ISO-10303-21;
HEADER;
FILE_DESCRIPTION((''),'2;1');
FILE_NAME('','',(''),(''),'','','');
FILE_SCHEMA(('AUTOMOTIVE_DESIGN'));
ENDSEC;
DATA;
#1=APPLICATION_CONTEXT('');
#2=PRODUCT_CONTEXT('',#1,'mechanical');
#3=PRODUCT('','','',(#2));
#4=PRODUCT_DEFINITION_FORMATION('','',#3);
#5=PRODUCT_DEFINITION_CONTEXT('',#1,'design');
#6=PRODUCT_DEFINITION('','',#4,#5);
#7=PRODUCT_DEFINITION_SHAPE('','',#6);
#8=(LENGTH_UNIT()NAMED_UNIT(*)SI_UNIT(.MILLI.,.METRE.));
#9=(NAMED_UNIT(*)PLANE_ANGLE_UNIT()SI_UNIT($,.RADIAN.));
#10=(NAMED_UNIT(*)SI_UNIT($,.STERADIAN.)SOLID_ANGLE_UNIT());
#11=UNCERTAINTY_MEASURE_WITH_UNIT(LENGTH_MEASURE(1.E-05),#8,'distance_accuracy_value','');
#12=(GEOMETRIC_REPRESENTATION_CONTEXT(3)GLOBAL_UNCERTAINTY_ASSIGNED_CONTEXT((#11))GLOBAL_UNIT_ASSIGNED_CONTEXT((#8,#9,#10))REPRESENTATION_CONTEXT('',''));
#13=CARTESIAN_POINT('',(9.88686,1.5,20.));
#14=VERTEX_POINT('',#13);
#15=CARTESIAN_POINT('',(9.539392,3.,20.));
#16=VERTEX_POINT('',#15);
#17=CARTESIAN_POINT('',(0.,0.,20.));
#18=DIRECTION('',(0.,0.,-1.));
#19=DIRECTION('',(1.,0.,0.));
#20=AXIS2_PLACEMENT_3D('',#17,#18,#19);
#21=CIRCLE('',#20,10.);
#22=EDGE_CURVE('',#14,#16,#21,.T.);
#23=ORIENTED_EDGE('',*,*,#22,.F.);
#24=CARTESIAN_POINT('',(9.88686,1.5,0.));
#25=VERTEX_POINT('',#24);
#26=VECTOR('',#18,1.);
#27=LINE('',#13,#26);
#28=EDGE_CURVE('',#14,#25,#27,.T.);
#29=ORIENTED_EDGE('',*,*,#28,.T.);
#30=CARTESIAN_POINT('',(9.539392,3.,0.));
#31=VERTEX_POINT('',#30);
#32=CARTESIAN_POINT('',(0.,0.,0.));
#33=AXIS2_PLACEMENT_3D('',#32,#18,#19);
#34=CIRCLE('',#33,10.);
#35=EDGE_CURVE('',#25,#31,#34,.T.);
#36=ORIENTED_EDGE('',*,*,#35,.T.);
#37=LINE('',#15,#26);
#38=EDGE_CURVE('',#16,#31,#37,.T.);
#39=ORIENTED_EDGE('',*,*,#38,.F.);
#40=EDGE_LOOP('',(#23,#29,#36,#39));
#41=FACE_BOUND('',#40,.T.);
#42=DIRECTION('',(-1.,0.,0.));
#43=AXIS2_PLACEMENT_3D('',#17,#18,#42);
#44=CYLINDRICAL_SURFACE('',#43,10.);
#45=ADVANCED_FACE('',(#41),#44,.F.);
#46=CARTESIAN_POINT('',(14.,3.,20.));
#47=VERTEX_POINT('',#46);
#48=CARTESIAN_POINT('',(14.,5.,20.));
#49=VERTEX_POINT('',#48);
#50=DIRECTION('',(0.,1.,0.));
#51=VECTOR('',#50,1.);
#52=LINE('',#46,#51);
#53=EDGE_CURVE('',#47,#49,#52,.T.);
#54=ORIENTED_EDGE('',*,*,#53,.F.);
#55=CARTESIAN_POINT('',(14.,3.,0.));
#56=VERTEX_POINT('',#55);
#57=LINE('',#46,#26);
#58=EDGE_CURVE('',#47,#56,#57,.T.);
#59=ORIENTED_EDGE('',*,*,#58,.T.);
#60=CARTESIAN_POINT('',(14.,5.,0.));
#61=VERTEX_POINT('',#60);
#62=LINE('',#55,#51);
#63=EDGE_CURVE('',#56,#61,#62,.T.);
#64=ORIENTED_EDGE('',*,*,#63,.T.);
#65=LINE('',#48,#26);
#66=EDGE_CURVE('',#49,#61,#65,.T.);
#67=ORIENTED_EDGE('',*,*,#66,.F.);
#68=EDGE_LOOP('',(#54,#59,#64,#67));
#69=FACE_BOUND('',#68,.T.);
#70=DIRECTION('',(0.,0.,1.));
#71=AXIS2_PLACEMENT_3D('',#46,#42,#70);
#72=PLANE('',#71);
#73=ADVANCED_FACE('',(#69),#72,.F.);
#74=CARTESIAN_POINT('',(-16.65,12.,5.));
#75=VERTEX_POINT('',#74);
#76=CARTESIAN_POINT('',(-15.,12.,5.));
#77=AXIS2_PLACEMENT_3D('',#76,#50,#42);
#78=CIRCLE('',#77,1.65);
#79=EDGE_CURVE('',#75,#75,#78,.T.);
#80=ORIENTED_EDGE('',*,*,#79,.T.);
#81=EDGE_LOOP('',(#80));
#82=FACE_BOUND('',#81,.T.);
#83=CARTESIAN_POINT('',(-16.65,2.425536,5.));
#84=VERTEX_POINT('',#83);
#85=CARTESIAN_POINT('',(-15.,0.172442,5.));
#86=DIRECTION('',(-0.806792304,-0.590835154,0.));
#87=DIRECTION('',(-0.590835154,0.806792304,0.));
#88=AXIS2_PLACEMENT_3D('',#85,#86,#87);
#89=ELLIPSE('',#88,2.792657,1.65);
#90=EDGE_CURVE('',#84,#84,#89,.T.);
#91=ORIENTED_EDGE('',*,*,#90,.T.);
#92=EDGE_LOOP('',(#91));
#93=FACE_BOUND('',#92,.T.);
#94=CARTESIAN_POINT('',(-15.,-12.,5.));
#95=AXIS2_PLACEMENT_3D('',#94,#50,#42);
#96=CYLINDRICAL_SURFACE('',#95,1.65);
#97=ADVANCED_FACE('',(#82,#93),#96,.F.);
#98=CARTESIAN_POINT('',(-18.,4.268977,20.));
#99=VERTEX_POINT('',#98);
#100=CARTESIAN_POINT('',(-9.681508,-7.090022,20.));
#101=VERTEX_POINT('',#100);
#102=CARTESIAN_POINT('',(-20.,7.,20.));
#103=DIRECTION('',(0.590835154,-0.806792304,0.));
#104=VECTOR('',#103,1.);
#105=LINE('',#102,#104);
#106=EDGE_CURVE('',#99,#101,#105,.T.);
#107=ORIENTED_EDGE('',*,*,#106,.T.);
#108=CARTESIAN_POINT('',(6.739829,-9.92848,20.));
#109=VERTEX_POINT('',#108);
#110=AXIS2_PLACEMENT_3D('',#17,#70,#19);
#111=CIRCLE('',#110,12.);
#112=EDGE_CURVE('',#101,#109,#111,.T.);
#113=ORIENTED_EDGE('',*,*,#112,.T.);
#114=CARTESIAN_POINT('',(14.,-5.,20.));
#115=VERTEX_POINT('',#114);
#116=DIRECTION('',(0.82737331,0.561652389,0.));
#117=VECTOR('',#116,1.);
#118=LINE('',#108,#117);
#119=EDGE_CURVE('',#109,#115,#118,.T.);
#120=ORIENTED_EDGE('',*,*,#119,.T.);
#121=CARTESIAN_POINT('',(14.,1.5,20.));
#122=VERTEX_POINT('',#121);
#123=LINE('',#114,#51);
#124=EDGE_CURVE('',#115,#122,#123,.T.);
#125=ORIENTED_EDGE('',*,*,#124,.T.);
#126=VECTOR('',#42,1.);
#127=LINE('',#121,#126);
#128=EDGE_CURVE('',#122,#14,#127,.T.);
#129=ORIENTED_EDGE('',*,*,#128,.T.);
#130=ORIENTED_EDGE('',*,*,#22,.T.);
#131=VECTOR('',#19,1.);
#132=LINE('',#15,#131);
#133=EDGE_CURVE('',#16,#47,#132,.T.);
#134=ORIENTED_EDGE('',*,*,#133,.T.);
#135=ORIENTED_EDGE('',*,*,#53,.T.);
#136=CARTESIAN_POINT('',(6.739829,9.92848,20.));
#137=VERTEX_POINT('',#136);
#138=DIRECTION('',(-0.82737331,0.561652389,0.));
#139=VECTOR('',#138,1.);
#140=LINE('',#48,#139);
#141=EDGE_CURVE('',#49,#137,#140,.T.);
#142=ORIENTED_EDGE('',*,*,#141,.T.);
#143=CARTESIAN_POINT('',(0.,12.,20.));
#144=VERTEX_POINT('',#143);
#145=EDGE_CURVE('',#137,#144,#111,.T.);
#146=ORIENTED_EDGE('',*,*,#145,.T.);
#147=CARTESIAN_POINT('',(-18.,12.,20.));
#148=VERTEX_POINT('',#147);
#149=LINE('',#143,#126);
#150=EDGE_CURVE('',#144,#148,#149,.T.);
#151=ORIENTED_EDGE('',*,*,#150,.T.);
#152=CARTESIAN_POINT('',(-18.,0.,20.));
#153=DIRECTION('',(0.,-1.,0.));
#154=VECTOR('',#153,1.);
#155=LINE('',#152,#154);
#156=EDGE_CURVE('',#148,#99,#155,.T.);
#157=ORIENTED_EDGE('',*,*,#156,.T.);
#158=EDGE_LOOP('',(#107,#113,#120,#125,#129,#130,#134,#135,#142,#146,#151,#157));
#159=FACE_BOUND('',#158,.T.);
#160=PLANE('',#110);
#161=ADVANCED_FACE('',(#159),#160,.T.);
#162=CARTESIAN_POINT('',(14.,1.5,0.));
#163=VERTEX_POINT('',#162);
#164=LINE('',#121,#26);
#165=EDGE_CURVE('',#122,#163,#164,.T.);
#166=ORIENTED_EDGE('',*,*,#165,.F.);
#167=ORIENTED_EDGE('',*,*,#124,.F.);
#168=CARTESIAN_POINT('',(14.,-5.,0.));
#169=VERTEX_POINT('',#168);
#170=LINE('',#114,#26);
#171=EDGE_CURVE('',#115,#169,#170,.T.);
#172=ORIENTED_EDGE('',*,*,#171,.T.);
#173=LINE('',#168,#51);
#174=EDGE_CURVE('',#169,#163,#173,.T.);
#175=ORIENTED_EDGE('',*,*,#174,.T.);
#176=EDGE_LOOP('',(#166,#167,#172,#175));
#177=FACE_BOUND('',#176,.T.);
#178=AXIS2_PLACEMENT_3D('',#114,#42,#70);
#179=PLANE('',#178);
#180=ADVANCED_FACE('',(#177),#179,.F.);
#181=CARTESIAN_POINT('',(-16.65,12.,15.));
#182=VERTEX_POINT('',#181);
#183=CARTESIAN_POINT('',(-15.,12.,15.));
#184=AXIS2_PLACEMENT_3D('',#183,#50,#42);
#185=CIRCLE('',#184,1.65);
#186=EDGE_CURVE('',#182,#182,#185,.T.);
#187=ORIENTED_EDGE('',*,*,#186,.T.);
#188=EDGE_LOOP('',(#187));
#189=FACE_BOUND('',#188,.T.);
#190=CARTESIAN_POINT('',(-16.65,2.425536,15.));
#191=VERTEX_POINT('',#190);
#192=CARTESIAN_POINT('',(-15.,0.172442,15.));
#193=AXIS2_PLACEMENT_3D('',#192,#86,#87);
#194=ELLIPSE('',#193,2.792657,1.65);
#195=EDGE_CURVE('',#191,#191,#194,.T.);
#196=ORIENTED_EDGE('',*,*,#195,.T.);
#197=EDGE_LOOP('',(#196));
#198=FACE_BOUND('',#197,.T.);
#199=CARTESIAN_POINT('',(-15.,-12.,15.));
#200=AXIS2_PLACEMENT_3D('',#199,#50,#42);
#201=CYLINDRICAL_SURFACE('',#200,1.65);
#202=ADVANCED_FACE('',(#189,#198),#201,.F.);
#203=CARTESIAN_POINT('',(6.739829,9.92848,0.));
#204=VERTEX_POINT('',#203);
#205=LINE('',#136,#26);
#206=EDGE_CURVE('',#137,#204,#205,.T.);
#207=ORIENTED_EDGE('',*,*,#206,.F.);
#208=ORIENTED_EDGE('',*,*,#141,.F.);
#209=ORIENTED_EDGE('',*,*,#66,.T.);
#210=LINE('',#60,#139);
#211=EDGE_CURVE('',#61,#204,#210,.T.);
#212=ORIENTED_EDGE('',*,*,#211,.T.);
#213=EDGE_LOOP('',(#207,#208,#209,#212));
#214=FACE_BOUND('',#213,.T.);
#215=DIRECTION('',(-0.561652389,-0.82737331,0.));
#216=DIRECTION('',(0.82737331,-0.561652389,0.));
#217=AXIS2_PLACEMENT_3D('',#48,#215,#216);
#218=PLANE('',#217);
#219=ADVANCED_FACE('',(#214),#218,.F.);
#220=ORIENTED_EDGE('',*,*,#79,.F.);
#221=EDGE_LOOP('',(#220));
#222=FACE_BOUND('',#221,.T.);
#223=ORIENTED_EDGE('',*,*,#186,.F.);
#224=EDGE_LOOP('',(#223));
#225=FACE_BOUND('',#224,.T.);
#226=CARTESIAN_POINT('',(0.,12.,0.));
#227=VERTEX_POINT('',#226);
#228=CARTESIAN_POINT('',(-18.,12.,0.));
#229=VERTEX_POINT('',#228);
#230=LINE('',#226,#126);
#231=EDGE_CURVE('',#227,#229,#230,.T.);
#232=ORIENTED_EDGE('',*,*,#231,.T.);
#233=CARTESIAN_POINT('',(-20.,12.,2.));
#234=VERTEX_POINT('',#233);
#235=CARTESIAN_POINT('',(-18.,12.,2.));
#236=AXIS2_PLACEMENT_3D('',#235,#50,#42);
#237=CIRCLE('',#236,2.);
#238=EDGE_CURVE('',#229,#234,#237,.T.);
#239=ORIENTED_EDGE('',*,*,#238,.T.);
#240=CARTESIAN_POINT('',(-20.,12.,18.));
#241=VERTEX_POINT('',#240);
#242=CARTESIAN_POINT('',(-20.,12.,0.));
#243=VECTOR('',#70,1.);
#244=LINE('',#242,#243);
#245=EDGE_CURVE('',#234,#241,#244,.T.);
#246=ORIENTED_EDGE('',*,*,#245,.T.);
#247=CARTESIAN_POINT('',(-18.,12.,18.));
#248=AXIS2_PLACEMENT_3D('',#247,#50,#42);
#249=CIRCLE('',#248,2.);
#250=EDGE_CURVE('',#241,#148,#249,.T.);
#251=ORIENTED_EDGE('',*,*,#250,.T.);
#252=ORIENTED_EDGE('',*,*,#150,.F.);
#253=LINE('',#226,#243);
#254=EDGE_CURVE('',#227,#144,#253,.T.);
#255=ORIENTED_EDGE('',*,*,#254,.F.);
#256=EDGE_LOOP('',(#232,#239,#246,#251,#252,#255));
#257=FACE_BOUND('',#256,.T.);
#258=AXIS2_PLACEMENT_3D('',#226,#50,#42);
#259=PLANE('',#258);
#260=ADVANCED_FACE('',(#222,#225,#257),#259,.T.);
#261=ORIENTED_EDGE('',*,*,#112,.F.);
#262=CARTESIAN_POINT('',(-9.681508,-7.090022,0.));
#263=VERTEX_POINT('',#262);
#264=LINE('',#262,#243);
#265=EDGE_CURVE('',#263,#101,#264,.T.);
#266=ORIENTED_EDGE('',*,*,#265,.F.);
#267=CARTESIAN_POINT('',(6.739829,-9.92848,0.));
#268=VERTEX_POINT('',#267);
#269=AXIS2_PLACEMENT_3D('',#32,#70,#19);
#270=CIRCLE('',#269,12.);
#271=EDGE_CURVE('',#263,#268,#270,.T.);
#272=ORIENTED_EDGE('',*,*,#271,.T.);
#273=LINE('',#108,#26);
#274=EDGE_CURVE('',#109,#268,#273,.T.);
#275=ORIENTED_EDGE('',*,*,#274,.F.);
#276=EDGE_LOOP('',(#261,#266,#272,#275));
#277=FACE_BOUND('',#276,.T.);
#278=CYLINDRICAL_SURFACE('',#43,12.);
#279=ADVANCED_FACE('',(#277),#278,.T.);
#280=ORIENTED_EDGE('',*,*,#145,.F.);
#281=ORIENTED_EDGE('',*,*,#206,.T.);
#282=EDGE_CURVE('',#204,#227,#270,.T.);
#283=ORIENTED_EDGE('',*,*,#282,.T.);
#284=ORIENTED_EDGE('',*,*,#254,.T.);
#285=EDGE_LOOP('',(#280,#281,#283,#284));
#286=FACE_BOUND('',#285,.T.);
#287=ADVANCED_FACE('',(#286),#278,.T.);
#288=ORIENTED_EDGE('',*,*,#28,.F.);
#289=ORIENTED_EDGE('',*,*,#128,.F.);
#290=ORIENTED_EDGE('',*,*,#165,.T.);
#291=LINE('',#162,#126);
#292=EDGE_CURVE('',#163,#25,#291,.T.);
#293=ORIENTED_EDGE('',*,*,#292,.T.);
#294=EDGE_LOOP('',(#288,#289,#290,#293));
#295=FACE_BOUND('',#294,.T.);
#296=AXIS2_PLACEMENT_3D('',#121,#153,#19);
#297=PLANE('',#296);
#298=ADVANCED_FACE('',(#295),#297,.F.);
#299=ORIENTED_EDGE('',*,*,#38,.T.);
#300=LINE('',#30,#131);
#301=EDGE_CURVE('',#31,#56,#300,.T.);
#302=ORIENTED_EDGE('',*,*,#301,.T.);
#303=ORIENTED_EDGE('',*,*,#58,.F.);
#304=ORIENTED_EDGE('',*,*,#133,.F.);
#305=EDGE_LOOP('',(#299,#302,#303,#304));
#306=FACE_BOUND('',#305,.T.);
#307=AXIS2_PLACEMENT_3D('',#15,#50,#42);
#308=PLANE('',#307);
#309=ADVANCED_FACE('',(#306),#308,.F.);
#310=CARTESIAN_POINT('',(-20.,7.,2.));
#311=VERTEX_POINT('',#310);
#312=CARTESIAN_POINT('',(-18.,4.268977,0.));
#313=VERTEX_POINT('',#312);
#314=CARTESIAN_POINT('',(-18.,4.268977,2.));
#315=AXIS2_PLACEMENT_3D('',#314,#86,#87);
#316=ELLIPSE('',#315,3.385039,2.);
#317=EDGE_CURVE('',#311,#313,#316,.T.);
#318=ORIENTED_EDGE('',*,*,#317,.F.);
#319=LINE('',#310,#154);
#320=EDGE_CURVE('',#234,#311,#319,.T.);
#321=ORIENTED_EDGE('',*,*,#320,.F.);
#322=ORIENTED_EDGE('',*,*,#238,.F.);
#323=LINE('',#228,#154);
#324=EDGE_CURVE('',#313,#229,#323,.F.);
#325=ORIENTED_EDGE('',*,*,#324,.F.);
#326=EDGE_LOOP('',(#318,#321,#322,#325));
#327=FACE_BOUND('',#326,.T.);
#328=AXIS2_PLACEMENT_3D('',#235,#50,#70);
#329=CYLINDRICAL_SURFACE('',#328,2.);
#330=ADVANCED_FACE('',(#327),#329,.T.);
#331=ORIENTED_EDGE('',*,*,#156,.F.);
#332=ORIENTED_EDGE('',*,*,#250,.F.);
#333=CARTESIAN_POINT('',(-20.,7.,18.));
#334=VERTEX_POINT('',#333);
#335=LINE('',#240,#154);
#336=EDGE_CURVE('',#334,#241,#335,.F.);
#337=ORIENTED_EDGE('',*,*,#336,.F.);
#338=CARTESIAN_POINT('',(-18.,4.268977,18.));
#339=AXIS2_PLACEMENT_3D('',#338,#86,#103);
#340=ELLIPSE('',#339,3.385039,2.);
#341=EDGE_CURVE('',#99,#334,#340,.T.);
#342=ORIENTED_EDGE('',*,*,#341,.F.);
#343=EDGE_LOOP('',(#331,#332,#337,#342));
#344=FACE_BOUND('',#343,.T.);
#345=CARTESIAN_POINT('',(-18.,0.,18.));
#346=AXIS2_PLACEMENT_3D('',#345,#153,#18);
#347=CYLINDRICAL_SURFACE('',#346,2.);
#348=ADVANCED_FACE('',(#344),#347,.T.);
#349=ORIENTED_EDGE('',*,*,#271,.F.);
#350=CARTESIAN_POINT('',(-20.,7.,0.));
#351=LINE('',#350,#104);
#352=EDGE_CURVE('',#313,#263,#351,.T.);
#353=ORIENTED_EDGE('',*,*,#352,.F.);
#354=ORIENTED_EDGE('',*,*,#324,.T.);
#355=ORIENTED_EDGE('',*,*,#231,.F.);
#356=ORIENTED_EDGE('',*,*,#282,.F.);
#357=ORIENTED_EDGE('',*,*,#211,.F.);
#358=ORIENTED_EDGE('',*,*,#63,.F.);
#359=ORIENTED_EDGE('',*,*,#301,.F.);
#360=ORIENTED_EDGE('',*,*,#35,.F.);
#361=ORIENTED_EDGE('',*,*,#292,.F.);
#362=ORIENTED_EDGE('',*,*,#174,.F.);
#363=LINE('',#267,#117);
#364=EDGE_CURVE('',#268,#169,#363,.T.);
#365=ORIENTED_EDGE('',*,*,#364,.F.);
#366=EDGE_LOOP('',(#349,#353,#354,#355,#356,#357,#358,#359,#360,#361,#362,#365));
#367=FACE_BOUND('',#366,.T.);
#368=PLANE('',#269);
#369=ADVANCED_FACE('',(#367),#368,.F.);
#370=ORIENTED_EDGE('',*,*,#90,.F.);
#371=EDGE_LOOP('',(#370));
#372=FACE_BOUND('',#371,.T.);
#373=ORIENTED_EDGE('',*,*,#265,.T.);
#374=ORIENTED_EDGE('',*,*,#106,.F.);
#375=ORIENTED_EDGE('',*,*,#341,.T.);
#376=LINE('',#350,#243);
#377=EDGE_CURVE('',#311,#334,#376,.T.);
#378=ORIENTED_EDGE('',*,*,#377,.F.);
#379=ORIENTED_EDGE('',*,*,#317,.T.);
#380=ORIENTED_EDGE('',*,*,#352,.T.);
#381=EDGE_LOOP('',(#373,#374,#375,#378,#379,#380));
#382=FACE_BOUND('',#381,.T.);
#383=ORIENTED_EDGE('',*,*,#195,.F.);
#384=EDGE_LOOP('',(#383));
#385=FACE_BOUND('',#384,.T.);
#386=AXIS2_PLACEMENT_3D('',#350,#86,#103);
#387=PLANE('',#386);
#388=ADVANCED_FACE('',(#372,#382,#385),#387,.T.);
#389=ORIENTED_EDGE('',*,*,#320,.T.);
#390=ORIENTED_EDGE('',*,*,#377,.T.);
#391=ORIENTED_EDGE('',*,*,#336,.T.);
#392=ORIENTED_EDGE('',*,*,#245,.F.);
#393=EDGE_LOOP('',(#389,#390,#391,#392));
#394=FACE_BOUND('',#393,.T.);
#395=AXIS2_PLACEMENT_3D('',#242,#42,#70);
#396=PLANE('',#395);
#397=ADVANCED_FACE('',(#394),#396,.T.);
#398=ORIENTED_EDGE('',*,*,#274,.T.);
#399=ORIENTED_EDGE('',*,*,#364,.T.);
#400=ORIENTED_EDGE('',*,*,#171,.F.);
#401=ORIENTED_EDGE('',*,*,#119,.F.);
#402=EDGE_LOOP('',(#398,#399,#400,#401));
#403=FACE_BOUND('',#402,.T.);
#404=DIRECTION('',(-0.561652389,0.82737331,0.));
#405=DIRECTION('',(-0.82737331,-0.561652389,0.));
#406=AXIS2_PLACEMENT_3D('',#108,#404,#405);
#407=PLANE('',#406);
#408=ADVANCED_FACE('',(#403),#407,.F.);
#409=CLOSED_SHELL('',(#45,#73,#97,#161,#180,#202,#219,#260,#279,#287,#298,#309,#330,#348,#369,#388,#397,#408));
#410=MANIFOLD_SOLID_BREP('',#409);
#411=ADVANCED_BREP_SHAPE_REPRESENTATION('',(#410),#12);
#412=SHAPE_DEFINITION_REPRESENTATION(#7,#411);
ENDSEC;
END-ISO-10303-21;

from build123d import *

# Parameters (mm, degrees)
BOSS_EXTRU_1_DEPTH      = 20
BOSS_EXTRU_2_START      = -20
BOSS_EXTRU_2_DEPTH      = 20
ESQUISSE3_R             = 1.65
ENL_V_MAT_EXTRU_1_DEPTH = 38.094473982
CONG_1_R                = 2


with BuildPart() as part:
    # Esquisse1 → Boss.-Extru.1 (new body)
    with BuildSketch(Plane.XY):
        with BuildLine():
            Line((6.739828673, -9.928479715), (14, -5))
            Line((14, -5), (14, 1.5))
            Line((14, 1.5), (9.886859967, 1.5))
            ThreePointArc((9.886859967, 1.5), (-9.742038622, -2.256697475), (9.539392014, 3))
            Line((9.539392014, 3), (14, 3))
            Line((14, 3), (14, 5))
            Line((14, 5), (6.739828673, 9.928479715))
            ThreePointArc((6.739828673, 9.928479715), (-12, 0), (6.739828673, -9.928479715))
        make_face()
    extrude(amount=BOSS_EXTRU_1_DEPTH)

    # Esquisse2 → Boss.-Extru.2 (add)
    with BuildSketch(Plane.XY.offset(20).offset(BOSS_EXTRU_2_START)):
        with BuildLine():
            Line((0, 12), (-20, 12))
            Line((-20, 12), (-20, 7))
            Line((-20, 7), (-9.681507645, -7.090021842))
            ThreePointArc((-9.681507645, -7.090021842), (-10.702342316, 5.427694625), (0, 12))
        make_face()
    extrude(amount=BOSS_EXTRU_2_DEPTH)

    # Esquisse3 → Enlèv. mat.-Extru.1 (cut, through all)
    with BuildSketch(Plane(origin=(0, 12, 0), x_dir=(1, 0, 0), z_dir=(0, 1, 0))):
        with Locations(Location((-15, -5, 0), (0, 0, 180))):
            Circle(ESQUISSE3_R)
        with Locations(Location((-15, -15, 0), (0, 0, 180))):
            Circle(ESQUISSE3_R)
    extrude(amount=-ENL_V_MAT_EXTRU_1_DEPTH, mode=Mode.SUBTRACT)

    # Congé1
    cong_1_edges = [part.edges().sort_by_distance(p)[0] for p in [
        (-20, 9.5, 0),
        (-20, 9.5, 20),
    ]]
    fillet(cong_1_edges, radius=CONG_1_R)


solid = part.part
